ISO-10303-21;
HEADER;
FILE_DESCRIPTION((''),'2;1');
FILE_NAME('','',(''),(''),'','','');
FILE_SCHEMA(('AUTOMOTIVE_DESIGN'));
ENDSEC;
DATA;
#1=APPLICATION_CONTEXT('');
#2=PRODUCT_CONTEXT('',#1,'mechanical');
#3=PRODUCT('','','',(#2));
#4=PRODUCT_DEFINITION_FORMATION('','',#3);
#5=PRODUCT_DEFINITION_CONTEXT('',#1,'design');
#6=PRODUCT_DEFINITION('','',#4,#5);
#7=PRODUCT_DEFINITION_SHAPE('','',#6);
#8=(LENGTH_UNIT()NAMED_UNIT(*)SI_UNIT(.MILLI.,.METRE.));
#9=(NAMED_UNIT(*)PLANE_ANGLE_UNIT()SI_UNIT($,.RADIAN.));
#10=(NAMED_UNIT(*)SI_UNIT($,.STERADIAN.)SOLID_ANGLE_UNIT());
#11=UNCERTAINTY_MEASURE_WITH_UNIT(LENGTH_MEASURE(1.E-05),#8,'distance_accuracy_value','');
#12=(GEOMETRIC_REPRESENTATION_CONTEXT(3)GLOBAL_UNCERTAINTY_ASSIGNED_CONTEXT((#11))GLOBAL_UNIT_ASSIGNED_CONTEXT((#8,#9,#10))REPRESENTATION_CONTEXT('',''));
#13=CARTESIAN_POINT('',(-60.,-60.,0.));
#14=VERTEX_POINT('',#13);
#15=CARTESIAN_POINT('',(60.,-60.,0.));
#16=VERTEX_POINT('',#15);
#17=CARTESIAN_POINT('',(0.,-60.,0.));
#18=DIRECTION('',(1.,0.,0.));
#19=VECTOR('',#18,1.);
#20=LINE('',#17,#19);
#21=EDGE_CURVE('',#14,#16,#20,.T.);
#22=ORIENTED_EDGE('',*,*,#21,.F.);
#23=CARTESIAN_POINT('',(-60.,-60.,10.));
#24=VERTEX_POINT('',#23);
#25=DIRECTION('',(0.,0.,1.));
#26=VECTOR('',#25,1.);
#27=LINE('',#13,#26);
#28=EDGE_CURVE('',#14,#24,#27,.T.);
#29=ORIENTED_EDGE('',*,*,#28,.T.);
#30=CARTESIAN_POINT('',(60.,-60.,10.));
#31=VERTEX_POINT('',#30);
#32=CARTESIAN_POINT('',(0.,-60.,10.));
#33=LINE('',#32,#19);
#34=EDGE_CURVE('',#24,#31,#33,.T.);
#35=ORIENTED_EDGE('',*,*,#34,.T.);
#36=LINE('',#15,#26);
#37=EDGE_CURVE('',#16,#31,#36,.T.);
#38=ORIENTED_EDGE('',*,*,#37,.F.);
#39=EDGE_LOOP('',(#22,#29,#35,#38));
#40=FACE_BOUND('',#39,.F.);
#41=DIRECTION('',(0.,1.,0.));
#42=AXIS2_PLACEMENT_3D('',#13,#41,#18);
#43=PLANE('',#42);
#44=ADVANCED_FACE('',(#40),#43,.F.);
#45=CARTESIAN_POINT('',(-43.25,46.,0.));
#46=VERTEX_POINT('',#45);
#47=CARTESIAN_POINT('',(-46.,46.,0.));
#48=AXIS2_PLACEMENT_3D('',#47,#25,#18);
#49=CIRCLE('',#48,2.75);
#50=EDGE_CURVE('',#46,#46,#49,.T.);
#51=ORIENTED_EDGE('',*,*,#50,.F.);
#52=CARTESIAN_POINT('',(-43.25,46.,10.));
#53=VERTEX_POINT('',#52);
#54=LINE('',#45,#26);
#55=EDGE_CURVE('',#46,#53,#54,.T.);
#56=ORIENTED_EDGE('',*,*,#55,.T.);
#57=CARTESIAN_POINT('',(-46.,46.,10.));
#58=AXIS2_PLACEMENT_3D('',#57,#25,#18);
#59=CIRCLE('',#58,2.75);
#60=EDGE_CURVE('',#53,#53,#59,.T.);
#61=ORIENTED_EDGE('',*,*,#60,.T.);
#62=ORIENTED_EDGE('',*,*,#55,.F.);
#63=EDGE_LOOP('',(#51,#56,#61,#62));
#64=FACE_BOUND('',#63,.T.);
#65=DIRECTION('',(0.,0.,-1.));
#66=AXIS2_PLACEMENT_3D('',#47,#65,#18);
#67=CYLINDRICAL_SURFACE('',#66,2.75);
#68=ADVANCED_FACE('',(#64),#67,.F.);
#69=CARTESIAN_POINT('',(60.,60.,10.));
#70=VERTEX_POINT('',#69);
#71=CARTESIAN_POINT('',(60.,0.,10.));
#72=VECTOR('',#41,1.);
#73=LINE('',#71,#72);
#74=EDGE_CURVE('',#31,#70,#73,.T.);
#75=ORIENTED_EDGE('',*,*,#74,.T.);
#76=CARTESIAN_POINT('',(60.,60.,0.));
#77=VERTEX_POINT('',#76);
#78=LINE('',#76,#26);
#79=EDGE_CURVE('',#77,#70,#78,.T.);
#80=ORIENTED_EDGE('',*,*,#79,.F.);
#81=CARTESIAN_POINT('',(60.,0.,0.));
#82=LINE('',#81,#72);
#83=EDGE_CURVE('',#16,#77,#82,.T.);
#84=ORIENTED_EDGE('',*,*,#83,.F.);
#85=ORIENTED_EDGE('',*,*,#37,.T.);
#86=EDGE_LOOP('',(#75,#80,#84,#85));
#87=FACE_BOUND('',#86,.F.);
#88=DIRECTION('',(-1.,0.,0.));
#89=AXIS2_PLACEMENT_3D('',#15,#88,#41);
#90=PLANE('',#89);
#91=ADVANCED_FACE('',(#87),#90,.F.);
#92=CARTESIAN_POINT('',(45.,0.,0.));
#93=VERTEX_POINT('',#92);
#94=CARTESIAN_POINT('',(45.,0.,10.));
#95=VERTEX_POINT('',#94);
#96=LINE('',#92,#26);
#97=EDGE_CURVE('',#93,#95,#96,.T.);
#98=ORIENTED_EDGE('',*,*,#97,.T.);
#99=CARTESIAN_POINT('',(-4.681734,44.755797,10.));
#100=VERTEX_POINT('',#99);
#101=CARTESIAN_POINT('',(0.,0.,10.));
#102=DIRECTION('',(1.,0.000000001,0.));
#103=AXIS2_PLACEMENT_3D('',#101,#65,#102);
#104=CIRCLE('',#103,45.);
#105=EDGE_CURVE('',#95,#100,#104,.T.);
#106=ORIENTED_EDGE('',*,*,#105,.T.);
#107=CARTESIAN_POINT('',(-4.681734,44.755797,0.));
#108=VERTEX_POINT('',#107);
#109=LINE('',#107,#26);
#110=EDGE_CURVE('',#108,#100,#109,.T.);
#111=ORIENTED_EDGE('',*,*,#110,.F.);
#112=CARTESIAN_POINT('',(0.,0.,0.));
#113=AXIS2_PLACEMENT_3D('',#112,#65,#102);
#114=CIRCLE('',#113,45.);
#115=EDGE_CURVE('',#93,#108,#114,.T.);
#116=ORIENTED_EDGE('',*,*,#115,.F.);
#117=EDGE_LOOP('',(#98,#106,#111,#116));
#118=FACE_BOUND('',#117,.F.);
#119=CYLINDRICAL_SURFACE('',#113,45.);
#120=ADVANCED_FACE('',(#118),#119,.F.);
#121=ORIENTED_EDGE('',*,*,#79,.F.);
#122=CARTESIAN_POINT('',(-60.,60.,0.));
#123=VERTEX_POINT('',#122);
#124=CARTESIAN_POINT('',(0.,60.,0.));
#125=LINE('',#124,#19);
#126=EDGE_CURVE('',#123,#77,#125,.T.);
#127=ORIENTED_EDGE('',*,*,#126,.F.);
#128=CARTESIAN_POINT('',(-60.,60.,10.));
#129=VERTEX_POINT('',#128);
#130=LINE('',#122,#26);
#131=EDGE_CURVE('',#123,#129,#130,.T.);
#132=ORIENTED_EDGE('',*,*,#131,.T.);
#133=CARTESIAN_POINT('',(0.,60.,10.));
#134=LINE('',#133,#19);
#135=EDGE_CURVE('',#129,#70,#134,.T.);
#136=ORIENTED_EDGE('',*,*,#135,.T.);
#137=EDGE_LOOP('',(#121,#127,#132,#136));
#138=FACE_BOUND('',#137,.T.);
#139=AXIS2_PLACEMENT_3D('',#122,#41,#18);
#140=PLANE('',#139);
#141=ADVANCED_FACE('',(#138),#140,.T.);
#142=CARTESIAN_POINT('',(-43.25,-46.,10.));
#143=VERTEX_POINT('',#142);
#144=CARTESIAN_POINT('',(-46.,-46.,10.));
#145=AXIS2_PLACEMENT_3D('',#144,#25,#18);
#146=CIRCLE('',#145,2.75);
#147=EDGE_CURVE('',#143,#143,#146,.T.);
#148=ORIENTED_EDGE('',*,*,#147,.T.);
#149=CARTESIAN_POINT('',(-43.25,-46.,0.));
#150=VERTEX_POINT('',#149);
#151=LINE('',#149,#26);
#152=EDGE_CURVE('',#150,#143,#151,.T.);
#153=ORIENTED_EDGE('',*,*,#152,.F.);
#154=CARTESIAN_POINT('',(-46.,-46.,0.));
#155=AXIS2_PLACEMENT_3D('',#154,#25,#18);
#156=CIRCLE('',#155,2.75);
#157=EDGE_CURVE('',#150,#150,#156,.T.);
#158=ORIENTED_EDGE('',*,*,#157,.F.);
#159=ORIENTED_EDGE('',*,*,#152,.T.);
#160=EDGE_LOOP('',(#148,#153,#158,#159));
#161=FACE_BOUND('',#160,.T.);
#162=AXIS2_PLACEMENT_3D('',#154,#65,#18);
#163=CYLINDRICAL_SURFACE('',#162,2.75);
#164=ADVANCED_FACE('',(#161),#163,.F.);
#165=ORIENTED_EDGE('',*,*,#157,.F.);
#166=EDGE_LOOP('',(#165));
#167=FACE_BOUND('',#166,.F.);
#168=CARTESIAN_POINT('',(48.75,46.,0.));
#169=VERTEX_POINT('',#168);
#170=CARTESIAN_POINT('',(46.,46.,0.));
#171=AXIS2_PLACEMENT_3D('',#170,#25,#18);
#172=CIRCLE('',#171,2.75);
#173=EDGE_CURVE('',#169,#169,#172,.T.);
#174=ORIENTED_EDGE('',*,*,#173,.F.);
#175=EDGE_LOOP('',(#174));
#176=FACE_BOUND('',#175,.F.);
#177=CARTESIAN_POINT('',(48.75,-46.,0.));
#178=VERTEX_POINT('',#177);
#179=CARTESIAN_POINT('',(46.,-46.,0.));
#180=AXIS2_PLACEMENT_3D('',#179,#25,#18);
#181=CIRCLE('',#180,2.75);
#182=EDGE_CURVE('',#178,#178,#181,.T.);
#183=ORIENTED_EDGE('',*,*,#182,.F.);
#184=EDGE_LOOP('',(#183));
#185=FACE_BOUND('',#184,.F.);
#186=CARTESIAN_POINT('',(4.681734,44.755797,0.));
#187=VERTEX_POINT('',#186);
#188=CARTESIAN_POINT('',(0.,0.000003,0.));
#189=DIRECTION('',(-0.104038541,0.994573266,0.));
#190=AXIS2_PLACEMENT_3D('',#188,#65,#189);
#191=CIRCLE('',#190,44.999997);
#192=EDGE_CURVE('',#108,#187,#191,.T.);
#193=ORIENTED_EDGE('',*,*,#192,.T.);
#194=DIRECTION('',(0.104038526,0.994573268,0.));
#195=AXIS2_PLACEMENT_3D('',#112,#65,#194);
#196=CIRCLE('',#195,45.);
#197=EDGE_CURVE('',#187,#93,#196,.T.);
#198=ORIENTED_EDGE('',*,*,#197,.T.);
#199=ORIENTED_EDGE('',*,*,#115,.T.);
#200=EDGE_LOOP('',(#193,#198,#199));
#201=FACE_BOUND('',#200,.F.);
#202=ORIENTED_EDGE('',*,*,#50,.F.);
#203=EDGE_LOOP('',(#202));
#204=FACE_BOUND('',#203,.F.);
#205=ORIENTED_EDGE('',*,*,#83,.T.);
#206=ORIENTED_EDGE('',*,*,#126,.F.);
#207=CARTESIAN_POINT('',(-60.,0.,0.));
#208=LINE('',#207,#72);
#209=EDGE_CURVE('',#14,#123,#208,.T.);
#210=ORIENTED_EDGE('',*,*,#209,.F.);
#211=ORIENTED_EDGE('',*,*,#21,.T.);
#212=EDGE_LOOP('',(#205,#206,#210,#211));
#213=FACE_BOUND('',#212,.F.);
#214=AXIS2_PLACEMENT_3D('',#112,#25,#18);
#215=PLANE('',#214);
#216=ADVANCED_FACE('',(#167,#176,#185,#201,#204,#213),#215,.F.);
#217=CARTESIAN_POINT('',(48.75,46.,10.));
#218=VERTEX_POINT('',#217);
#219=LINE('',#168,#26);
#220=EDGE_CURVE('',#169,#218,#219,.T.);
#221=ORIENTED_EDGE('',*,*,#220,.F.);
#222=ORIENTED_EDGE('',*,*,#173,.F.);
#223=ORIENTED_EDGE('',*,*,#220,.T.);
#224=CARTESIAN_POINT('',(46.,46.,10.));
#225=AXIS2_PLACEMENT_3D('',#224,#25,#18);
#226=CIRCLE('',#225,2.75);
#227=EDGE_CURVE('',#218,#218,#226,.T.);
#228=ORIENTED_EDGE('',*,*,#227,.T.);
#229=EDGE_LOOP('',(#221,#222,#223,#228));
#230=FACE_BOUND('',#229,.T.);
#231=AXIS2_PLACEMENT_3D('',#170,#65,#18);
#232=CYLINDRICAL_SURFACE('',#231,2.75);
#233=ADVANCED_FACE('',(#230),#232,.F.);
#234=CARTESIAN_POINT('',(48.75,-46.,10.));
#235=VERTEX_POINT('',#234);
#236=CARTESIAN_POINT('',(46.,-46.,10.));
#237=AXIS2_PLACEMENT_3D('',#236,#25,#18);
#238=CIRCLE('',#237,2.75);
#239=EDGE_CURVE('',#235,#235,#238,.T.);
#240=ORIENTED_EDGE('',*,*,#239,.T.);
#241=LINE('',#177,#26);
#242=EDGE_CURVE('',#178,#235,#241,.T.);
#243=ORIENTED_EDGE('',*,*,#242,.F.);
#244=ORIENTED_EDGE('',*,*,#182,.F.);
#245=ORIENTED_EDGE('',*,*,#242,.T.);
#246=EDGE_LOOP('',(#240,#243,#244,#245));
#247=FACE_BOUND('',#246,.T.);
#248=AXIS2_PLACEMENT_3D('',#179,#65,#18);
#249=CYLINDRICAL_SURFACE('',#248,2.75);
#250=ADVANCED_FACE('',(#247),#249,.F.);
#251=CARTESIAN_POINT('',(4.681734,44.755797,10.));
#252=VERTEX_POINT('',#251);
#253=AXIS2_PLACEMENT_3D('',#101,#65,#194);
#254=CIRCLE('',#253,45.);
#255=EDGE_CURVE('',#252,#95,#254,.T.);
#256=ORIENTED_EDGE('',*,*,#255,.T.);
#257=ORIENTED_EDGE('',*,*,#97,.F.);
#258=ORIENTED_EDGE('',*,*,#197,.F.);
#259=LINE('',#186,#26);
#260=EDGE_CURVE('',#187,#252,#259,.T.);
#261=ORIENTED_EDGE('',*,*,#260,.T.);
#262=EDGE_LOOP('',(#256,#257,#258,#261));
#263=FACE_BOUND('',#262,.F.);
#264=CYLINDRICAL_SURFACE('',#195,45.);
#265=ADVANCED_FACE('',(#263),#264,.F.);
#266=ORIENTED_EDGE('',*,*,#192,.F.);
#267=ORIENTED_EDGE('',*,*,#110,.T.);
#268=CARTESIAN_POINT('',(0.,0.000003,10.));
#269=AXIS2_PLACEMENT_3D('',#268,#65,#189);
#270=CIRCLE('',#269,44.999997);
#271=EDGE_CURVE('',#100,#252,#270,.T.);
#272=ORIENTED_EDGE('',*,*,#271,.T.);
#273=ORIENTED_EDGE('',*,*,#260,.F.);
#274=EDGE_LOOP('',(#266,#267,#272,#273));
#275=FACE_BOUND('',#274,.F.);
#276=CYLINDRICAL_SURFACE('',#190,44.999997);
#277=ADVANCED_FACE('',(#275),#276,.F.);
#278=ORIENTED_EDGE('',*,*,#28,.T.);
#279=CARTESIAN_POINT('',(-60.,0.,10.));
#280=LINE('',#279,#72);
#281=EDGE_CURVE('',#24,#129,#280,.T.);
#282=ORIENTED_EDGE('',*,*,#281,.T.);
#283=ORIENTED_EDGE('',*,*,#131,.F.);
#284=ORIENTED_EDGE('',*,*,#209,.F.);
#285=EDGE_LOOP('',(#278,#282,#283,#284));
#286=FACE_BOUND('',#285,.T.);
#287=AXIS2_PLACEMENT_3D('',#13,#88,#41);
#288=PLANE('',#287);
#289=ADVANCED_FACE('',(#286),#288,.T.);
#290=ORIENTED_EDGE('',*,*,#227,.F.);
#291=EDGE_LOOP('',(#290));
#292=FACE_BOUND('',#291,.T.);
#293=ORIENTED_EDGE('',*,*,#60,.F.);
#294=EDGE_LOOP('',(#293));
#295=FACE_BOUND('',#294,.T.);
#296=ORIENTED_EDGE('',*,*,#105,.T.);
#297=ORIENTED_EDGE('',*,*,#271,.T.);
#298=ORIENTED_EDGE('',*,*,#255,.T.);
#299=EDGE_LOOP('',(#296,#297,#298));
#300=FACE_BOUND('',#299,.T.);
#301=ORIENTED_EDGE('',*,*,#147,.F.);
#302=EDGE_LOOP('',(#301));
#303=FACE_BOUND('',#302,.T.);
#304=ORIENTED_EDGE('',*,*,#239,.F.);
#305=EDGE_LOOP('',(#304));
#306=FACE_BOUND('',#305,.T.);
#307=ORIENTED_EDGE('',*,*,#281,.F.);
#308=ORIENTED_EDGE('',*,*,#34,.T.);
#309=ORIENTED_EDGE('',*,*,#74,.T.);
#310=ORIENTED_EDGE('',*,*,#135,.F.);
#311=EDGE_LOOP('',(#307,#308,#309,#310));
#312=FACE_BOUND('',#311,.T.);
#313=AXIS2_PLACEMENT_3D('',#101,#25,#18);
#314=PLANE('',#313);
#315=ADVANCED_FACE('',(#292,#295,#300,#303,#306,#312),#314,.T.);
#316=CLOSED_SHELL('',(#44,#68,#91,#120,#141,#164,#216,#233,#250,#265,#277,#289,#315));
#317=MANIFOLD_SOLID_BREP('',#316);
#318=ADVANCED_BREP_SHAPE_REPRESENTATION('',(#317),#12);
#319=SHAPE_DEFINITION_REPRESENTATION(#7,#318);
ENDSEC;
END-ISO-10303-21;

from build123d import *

# Parameters (mm, degrees)
F0_W     = 120
F0_H     = 120
F0_R     = 2.75
F1_DEPTH = 10


with BuildPart() as f1:
    # F0 (on Top) → F1 (new body)
    with BuildSketch(Plane.XY):
        Rectangle(F0_W, F0_H)
        with Locations((-46, -46)):
            Circle(F0_R, mode=Mode.SUBTRACT)
        with Locations((46, -46)):
            Circle(F0_R, mode=Mode.SUBTRACT)
        with Locations((-46, 46)):
            Circle(F0_R, mode=Mode.SUBTRACT)
        with BuildLine():
            ThreePointArc((4.681734, 44.755797), (33.4341, 30.119113), (45, 0))
            ThreePointArc((45, 0), (-30.119113, -33.4341), (-4.681734, 44.755797))
            ThreePointArc((-4.681734, 44.755797), (0, 45), (4.681734, 44.755797))
        make_face(mode=Mode.SUBTRACT)
        with Locations((46, 46)):
            Circle(F0_R, mode=Mode.SUBTRACT)
    extrude(amount=F1_DEPTH)


solid = f1.part
